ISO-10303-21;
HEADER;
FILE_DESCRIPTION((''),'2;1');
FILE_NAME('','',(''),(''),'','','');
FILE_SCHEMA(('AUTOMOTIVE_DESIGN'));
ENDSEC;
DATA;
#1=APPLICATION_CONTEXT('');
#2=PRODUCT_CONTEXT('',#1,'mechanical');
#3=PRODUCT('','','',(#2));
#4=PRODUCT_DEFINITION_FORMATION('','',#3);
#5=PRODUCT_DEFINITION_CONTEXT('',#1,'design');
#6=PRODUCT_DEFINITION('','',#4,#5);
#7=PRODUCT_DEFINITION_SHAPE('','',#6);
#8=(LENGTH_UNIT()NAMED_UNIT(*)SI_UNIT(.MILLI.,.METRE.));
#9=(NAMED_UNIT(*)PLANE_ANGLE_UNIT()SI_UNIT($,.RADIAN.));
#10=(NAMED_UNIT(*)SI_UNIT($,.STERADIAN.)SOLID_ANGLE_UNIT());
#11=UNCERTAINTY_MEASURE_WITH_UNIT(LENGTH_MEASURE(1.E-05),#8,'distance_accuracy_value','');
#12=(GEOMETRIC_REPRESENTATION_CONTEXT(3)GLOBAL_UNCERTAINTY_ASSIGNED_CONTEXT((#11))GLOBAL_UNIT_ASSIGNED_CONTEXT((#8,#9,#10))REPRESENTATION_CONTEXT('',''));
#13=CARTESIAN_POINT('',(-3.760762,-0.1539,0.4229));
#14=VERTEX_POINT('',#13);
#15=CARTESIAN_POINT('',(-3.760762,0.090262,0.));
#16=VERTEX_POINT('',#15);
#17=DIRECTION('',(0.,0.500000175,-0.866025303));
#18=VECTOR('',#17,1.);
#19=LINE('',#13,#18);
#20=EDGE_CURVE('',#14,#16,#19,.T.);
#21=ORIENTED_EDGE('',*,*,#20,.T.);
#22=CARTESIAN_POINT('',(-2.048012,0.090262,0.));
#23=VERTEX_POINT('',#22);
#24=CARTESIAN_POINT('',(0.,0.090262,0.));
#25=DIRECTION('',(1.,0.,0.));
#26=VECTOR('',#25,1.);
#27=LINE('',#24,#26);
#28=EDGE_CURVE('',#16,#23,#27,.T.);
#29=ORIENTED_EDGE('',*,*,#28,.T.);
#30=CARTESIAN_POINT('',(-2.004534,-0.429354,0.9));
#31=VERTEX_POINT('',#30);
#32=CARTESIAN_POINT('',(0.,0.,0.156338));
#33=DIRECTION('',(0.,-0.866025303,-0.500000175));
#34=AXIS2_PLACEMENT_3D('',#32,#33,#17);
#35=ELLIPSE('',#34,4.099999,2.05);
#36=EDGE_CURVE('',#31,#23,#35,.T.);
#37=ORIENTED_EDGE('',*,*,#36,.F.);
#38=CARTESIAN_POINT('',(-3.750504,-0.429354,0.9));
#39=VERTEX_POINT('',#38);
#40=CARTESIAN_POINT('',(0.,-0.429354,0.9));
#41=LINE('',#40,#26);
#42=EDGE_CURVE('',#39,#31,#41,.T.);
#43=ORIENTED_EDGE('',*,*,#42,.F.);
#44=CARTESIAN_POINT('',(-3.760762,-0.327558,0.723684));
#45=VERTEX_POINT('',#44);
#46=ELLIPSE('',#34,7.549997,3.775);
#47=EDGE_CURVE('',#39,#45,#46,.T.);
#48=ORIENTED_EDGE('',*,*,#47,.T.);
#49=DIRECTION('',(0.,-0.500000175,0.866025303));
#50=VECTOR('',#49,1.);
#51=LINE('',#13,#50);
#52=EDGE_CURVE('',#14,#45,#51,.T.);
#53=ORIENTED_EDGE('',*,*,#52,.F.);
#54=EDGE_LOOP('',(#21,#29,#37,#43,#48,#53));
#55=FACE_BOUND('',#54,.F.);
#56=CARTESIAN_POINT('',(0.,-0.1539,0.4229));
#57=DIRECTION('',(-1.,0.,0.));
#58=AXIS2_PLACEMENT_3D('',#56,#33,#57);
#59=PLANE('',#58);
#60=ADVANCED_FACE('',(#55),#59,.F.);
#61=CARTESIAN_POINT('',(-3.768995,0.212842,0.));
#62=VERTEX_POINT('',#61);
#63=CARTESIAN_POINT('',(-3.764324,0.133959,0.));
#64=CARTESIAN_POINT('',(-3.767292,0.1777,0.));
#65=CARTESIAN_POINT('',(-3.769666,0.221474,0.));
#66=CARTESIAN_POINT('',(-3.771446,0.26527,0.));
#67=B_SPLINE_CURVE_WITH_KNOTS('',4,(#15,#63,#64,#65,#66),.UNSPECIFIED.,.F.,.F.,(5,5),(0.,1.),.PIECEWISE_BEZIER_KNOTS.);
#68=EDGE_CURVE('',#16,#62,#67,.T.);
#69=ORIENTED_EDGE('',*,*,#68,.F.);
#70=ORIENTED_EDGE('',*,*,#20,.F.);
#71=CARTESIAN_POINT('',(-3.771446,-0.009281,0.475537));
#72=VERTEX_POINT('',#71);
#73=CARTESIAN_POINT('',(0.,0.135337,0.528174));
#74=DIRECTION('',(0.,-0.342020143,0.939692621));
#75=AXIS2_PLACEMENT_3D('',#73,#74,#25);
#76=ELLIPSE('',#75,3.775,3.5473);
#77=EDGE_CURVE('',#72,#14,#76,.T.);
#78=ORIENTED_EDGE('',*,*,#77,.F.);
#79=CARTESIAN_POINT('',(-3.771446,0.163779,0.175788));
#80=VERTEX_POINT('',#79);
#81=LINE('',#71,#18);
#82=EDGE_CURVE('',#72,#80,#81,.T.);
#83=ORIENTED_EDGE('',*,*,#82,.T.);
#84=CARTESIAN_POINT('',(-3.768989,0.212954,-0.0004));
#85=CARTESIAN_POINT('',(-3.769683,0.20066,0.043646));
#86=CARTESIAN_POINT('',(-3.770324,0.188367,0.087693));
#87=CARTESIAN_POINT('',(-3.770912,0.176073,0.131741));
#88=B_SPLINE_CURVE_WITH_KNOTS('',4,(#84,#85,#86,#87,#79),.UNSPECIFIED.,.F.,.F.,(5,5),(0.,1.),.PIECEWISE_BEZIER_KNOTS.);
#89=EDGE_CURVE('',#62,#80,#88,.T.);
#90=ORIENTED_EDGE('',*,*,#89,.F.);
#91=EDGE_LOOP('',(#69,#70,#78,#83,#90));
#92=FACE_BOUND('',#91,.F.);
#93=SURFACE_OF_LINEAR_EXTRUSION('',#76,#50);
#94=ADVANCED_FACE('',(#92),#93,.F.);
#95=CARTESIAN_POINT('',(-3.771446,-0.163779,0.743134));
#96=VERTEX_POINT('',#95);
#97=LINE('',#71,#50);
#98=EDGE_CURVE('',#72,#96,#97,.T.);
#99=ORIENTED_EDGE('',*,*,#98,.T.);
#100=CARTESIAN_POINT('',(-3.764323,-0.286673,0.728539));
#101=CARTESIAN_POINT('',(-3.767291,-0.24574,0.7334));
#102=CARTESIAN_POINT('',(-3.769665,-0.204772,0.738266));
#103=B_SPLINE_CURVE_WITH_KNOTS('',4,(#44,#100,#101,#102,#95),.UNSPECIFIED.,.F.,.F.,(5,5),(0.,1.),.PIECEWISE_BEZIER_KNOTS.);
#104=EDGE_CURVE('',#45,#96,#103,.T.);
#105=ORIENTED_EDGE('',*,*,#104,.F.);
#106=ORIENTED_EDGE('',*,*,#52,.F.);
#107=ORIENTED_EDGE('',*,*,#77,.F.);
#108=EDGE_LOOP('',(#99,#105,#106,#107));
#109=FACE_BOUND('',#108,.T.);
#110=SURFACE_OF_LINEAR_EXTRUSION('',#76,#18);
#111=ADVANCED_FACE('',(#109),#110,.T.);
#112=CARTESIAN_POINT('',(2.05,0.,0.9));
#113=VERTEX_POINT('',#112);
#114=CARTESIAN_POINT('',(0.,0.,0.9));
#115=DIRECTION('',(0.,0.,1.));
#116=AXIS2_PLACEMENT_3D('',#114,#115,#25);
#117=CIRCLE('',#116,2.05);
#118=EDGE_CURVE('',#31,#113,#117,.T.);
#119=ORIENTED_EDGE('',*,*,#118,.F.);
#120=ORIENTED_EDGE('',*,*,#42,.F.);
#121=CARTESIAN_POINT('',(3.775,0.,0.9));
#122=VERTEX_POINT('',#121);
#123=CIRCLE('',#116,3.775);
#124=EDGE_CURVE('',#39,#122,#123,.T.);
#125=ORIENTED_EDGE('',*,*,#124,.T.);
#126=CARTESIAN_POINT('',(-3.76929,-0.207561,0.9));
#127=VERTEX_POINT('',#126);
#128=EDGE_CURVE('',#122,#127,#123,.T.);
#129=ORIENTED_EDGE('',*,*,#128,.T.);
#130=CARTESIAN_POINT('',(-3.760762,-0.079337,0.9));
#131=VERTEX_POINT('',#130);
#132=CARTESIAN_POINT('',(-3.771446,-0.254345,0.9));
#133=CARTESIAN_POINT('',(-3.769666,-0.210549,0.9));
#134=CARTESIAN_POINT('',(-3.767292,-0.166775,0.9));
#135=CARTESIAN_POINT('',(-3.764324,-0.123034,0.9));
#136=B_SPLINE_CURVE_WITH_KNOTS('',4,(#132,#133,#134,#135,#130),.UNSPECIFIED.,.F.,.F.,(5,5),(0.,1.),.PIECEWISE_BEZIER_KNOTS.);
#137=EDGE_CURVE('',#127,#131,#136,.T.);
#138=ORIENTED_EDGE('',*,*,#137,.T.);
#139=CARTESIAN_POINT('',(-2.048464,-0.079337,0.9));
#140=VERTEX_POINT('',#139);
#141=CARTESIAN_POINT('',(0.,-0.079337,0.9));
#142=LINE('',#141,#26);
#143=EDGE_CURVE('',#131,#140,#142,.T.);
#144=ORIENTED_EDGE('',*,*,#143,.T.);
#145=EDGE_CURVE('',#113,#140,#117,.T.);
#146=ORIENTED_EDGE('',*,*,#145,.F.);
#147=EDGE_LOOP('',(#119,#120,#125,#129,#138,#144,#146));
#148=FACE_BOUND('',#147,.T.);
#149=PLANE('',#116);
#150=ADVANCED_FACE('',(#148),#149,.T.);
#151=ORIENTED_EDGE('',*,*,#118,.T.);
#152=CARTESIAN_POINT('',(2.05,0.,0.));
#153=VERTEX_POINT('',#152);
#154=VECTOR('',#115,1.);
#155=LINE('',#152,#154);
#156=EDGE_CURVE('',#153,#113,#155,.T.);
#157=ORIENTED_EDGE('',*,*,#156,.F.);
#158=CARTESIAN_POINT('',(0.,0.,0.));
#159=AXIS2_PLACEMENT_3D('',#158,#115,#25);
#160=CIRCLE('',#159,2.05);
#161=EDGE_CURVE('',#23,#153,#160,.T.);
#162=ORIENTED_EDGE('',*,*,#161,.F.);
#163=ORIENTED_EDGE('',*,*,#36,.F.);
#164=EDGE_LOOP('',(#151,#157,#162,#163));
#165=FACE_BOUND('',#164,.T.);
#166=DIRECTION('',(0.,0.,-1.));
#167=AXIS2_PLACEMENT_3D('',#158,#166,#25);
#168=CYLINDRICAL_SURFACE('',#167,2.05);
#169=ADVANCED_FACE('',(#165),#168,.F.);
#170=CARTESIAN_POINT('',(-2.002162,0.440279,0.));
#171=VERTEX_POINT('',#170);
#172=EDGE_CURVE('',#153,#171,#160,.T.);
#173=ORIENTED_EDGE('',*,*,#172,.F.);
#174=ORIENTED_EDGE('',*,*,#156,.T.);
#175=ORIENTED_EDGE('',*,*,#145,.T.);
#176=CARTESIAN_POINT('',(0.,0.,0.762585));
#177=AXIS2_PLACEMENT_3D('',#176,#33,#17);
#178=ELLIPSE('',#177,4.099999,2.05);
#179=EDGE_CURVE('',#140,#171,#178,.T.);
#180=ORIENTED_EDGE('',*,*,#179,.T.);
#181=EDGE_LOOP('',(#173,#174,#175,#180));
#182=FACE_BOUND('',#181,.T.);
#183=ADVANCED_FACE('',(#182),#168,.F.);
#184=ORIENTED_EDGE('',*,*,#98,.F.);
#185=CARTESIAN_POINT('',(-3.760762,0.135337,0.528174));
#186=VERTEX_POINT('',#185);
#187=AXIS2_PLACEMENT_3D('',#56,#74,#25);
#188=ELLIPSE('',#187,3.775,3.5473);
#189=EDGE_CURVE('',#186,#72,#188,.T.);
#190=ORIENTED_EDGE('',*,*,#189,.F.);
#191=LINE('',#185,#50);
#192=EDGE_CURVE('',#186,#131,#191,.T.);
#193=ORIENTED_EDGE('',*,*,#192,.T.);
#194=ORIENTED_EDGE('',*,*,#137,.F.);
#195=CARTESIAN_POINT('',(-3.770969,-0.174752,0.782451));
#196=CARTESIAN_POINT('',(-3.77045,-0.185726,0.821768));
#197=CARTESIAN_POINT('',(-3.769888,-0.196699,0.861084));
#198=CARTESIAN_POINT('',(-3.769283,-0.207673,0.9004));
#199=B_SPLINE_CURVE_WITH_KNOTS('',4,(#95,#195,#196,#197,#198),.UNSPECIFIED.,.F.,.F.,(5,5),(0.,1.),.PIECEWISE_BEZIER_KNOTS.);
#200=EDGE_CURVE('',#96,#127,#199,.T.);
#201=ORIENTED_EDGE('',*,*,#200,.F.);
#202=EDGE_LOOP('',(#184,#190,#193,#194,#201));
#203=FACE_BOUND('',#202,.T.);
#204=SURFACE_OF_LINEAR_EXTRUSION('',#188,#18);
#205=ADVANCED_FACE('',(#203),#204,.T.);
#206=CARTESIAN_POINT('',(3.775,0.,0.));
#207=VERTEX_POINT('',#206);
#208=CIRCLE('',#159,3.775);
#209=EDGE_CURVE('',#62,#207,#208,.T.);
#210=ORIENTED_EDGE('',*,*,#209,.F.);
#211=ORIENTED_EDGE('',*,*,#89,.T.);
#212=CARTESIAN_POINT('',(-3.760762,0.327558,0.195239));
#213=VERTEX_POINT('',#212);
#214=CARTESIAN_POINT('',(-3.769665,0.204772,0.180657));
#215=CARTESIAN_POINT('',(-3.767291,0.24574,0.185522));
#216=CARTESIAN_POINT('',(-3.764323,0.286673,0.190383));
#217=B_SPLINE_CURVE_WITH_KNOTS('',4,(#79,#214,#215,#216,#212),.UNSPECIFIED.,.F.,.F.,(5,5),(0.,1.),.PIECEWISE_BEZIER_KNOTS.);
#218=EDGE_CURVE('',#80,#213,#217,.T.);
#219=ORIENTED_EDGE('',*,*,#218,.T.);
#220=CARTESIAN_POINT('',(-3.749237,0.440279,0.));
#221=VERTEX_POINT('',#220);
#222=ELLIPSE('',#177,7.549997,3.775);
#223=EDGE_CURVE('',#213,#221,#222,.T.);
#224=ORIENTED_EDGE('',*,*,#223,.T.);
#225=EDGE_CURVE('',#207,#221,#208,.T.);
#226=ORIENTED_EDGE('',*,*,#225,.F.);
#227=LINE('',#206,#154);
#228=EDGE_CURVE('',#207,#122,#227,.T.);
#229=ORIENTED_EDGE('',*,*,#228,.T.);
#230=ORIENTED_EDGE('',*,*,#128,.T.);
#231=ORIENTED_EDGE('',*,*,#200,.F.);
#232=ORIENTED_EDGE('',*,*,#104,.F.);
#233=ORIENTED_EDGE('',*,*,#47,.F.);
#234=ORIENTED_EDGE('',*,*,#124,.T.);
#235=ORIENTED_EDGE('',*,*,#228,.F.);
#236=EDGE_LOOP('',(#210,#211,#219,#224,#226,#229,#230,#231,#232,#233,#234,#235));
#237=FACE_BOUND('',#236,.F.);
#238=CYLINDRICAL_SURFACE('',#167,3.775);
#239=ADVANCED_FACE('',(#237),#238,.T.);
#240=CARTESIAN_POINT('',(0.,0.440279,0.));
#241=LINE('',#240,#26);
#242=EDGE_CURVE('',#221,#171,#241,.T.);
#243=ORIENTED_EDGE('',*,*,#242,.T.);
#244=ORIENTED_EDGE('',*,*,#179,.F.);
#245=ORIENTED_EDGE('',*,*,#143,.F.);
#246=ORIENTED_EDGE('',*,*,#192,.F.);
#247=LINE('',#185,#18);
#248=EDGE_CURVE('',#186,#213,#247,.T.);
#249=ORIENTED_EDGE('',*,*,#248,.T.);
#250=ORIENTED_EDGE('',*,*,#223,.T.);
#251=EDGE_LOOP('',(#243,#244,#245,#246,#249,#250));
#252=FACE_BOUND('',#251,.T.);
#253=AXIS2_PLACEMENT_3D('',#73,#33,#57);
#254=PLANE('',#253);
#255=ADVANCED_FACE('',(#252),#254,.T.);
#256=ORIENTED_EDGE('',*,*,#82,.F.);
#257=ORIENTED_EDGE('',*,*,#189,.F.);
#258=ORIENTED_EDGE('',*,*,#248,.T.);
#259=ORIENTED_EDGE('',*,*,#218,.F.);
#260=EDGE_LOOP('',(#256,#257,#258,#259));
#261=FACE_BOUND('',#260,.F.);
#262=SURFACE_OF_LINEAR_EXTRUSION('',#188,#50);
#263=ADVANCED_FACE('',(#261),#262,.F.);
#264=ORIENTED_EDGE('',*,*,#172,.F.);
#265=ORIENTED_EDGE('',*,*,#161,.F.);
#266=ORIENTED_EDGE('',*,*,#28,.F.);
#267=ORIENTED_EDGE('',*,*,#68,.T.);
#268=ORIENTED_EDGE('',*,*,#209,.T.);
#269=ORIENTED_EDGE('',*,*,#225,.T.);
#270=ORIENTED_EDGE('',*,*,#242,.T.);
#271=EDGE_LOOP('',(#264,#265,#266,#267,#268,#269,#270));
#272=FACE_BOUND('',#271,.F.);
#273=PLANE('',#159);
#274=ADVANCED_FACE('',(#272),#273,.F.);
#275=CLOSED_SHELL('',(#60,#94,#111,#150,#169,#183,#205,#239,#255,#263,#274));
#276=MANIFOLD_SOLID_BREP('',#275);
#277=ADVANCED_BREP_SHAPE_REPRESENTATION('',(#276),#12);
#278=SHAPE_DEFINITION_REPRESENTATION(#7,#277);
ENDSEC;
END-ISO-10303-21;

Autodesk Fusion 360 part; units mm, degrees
sketch "Sketch1" plane through (0, 0, 0) normal (0, 0, 1) x (1, 0, 0)
  circle A0 centre (0, 0) radius 3.775
  circle A1 centre (0, 0) radius 2.05
  dimension "d4" = 7.55
  dimension "d5" = 4.1
extrude "Extrude1" add sketch "Sketch1" along normal blind 0.9
ref_plane "WorkPlane1" through (12.125, 0, 0) normal (0, -0.342, 0.9397) x (1, 0, 0)
ref_plane "WorkPlane2" through (12.125, -0.1539, 0.4229) normal (0, -0.342, 0.9397) x (1, 0, 0)
sketch "Sketch2" plane through (12.125, -0.1539, 0.4229) normal (0, -0.342, 0.9397) x (1, 0, 0)
  ellipse E0 centre (-12.125, 0.3078) end of major axis (-8.35, 0.3078) minor radius 3.5473
  ellipse E1 centre (-12.125, 0) end of major axis (-8.35, 0) minor radius 3.5473
  line L0 (-12.125, 0.3078) -> (-12.125, 0)
  line L1 (-12.125, 0.3078) -> (-16.051, 0.3078)
  line L2 (-12.125, 0) -> (-16.051, 0)
  line L3 (-16.051, 0) -> (-16.051, 0.3078)
  dimension "d15" = 3.926
extrude "Extrude2" cut sketch "Sketch2" along direction (0, -0.5, 0.866025) through all and the other way through all contours E0 E1 L0 L1 L2 picked at (-13.3786, 0.1026)
equation "adsk_woutdia = 7.55 mm"
equation "adsk_windia = 4.10 mm"
equation "adsk_wthick = 0.90 mm"
equation "d4 = adsk_woutdia"
equation "d5 = adsk_windia"
equation "d6 = adsk_wthick"
equation "d13 = adsk_wthick / 2"
equation "d15 = adsk_woutdia * 0.52"
equation "d34 = adsk_wthick"
properties part number "arrangementsContainer"
